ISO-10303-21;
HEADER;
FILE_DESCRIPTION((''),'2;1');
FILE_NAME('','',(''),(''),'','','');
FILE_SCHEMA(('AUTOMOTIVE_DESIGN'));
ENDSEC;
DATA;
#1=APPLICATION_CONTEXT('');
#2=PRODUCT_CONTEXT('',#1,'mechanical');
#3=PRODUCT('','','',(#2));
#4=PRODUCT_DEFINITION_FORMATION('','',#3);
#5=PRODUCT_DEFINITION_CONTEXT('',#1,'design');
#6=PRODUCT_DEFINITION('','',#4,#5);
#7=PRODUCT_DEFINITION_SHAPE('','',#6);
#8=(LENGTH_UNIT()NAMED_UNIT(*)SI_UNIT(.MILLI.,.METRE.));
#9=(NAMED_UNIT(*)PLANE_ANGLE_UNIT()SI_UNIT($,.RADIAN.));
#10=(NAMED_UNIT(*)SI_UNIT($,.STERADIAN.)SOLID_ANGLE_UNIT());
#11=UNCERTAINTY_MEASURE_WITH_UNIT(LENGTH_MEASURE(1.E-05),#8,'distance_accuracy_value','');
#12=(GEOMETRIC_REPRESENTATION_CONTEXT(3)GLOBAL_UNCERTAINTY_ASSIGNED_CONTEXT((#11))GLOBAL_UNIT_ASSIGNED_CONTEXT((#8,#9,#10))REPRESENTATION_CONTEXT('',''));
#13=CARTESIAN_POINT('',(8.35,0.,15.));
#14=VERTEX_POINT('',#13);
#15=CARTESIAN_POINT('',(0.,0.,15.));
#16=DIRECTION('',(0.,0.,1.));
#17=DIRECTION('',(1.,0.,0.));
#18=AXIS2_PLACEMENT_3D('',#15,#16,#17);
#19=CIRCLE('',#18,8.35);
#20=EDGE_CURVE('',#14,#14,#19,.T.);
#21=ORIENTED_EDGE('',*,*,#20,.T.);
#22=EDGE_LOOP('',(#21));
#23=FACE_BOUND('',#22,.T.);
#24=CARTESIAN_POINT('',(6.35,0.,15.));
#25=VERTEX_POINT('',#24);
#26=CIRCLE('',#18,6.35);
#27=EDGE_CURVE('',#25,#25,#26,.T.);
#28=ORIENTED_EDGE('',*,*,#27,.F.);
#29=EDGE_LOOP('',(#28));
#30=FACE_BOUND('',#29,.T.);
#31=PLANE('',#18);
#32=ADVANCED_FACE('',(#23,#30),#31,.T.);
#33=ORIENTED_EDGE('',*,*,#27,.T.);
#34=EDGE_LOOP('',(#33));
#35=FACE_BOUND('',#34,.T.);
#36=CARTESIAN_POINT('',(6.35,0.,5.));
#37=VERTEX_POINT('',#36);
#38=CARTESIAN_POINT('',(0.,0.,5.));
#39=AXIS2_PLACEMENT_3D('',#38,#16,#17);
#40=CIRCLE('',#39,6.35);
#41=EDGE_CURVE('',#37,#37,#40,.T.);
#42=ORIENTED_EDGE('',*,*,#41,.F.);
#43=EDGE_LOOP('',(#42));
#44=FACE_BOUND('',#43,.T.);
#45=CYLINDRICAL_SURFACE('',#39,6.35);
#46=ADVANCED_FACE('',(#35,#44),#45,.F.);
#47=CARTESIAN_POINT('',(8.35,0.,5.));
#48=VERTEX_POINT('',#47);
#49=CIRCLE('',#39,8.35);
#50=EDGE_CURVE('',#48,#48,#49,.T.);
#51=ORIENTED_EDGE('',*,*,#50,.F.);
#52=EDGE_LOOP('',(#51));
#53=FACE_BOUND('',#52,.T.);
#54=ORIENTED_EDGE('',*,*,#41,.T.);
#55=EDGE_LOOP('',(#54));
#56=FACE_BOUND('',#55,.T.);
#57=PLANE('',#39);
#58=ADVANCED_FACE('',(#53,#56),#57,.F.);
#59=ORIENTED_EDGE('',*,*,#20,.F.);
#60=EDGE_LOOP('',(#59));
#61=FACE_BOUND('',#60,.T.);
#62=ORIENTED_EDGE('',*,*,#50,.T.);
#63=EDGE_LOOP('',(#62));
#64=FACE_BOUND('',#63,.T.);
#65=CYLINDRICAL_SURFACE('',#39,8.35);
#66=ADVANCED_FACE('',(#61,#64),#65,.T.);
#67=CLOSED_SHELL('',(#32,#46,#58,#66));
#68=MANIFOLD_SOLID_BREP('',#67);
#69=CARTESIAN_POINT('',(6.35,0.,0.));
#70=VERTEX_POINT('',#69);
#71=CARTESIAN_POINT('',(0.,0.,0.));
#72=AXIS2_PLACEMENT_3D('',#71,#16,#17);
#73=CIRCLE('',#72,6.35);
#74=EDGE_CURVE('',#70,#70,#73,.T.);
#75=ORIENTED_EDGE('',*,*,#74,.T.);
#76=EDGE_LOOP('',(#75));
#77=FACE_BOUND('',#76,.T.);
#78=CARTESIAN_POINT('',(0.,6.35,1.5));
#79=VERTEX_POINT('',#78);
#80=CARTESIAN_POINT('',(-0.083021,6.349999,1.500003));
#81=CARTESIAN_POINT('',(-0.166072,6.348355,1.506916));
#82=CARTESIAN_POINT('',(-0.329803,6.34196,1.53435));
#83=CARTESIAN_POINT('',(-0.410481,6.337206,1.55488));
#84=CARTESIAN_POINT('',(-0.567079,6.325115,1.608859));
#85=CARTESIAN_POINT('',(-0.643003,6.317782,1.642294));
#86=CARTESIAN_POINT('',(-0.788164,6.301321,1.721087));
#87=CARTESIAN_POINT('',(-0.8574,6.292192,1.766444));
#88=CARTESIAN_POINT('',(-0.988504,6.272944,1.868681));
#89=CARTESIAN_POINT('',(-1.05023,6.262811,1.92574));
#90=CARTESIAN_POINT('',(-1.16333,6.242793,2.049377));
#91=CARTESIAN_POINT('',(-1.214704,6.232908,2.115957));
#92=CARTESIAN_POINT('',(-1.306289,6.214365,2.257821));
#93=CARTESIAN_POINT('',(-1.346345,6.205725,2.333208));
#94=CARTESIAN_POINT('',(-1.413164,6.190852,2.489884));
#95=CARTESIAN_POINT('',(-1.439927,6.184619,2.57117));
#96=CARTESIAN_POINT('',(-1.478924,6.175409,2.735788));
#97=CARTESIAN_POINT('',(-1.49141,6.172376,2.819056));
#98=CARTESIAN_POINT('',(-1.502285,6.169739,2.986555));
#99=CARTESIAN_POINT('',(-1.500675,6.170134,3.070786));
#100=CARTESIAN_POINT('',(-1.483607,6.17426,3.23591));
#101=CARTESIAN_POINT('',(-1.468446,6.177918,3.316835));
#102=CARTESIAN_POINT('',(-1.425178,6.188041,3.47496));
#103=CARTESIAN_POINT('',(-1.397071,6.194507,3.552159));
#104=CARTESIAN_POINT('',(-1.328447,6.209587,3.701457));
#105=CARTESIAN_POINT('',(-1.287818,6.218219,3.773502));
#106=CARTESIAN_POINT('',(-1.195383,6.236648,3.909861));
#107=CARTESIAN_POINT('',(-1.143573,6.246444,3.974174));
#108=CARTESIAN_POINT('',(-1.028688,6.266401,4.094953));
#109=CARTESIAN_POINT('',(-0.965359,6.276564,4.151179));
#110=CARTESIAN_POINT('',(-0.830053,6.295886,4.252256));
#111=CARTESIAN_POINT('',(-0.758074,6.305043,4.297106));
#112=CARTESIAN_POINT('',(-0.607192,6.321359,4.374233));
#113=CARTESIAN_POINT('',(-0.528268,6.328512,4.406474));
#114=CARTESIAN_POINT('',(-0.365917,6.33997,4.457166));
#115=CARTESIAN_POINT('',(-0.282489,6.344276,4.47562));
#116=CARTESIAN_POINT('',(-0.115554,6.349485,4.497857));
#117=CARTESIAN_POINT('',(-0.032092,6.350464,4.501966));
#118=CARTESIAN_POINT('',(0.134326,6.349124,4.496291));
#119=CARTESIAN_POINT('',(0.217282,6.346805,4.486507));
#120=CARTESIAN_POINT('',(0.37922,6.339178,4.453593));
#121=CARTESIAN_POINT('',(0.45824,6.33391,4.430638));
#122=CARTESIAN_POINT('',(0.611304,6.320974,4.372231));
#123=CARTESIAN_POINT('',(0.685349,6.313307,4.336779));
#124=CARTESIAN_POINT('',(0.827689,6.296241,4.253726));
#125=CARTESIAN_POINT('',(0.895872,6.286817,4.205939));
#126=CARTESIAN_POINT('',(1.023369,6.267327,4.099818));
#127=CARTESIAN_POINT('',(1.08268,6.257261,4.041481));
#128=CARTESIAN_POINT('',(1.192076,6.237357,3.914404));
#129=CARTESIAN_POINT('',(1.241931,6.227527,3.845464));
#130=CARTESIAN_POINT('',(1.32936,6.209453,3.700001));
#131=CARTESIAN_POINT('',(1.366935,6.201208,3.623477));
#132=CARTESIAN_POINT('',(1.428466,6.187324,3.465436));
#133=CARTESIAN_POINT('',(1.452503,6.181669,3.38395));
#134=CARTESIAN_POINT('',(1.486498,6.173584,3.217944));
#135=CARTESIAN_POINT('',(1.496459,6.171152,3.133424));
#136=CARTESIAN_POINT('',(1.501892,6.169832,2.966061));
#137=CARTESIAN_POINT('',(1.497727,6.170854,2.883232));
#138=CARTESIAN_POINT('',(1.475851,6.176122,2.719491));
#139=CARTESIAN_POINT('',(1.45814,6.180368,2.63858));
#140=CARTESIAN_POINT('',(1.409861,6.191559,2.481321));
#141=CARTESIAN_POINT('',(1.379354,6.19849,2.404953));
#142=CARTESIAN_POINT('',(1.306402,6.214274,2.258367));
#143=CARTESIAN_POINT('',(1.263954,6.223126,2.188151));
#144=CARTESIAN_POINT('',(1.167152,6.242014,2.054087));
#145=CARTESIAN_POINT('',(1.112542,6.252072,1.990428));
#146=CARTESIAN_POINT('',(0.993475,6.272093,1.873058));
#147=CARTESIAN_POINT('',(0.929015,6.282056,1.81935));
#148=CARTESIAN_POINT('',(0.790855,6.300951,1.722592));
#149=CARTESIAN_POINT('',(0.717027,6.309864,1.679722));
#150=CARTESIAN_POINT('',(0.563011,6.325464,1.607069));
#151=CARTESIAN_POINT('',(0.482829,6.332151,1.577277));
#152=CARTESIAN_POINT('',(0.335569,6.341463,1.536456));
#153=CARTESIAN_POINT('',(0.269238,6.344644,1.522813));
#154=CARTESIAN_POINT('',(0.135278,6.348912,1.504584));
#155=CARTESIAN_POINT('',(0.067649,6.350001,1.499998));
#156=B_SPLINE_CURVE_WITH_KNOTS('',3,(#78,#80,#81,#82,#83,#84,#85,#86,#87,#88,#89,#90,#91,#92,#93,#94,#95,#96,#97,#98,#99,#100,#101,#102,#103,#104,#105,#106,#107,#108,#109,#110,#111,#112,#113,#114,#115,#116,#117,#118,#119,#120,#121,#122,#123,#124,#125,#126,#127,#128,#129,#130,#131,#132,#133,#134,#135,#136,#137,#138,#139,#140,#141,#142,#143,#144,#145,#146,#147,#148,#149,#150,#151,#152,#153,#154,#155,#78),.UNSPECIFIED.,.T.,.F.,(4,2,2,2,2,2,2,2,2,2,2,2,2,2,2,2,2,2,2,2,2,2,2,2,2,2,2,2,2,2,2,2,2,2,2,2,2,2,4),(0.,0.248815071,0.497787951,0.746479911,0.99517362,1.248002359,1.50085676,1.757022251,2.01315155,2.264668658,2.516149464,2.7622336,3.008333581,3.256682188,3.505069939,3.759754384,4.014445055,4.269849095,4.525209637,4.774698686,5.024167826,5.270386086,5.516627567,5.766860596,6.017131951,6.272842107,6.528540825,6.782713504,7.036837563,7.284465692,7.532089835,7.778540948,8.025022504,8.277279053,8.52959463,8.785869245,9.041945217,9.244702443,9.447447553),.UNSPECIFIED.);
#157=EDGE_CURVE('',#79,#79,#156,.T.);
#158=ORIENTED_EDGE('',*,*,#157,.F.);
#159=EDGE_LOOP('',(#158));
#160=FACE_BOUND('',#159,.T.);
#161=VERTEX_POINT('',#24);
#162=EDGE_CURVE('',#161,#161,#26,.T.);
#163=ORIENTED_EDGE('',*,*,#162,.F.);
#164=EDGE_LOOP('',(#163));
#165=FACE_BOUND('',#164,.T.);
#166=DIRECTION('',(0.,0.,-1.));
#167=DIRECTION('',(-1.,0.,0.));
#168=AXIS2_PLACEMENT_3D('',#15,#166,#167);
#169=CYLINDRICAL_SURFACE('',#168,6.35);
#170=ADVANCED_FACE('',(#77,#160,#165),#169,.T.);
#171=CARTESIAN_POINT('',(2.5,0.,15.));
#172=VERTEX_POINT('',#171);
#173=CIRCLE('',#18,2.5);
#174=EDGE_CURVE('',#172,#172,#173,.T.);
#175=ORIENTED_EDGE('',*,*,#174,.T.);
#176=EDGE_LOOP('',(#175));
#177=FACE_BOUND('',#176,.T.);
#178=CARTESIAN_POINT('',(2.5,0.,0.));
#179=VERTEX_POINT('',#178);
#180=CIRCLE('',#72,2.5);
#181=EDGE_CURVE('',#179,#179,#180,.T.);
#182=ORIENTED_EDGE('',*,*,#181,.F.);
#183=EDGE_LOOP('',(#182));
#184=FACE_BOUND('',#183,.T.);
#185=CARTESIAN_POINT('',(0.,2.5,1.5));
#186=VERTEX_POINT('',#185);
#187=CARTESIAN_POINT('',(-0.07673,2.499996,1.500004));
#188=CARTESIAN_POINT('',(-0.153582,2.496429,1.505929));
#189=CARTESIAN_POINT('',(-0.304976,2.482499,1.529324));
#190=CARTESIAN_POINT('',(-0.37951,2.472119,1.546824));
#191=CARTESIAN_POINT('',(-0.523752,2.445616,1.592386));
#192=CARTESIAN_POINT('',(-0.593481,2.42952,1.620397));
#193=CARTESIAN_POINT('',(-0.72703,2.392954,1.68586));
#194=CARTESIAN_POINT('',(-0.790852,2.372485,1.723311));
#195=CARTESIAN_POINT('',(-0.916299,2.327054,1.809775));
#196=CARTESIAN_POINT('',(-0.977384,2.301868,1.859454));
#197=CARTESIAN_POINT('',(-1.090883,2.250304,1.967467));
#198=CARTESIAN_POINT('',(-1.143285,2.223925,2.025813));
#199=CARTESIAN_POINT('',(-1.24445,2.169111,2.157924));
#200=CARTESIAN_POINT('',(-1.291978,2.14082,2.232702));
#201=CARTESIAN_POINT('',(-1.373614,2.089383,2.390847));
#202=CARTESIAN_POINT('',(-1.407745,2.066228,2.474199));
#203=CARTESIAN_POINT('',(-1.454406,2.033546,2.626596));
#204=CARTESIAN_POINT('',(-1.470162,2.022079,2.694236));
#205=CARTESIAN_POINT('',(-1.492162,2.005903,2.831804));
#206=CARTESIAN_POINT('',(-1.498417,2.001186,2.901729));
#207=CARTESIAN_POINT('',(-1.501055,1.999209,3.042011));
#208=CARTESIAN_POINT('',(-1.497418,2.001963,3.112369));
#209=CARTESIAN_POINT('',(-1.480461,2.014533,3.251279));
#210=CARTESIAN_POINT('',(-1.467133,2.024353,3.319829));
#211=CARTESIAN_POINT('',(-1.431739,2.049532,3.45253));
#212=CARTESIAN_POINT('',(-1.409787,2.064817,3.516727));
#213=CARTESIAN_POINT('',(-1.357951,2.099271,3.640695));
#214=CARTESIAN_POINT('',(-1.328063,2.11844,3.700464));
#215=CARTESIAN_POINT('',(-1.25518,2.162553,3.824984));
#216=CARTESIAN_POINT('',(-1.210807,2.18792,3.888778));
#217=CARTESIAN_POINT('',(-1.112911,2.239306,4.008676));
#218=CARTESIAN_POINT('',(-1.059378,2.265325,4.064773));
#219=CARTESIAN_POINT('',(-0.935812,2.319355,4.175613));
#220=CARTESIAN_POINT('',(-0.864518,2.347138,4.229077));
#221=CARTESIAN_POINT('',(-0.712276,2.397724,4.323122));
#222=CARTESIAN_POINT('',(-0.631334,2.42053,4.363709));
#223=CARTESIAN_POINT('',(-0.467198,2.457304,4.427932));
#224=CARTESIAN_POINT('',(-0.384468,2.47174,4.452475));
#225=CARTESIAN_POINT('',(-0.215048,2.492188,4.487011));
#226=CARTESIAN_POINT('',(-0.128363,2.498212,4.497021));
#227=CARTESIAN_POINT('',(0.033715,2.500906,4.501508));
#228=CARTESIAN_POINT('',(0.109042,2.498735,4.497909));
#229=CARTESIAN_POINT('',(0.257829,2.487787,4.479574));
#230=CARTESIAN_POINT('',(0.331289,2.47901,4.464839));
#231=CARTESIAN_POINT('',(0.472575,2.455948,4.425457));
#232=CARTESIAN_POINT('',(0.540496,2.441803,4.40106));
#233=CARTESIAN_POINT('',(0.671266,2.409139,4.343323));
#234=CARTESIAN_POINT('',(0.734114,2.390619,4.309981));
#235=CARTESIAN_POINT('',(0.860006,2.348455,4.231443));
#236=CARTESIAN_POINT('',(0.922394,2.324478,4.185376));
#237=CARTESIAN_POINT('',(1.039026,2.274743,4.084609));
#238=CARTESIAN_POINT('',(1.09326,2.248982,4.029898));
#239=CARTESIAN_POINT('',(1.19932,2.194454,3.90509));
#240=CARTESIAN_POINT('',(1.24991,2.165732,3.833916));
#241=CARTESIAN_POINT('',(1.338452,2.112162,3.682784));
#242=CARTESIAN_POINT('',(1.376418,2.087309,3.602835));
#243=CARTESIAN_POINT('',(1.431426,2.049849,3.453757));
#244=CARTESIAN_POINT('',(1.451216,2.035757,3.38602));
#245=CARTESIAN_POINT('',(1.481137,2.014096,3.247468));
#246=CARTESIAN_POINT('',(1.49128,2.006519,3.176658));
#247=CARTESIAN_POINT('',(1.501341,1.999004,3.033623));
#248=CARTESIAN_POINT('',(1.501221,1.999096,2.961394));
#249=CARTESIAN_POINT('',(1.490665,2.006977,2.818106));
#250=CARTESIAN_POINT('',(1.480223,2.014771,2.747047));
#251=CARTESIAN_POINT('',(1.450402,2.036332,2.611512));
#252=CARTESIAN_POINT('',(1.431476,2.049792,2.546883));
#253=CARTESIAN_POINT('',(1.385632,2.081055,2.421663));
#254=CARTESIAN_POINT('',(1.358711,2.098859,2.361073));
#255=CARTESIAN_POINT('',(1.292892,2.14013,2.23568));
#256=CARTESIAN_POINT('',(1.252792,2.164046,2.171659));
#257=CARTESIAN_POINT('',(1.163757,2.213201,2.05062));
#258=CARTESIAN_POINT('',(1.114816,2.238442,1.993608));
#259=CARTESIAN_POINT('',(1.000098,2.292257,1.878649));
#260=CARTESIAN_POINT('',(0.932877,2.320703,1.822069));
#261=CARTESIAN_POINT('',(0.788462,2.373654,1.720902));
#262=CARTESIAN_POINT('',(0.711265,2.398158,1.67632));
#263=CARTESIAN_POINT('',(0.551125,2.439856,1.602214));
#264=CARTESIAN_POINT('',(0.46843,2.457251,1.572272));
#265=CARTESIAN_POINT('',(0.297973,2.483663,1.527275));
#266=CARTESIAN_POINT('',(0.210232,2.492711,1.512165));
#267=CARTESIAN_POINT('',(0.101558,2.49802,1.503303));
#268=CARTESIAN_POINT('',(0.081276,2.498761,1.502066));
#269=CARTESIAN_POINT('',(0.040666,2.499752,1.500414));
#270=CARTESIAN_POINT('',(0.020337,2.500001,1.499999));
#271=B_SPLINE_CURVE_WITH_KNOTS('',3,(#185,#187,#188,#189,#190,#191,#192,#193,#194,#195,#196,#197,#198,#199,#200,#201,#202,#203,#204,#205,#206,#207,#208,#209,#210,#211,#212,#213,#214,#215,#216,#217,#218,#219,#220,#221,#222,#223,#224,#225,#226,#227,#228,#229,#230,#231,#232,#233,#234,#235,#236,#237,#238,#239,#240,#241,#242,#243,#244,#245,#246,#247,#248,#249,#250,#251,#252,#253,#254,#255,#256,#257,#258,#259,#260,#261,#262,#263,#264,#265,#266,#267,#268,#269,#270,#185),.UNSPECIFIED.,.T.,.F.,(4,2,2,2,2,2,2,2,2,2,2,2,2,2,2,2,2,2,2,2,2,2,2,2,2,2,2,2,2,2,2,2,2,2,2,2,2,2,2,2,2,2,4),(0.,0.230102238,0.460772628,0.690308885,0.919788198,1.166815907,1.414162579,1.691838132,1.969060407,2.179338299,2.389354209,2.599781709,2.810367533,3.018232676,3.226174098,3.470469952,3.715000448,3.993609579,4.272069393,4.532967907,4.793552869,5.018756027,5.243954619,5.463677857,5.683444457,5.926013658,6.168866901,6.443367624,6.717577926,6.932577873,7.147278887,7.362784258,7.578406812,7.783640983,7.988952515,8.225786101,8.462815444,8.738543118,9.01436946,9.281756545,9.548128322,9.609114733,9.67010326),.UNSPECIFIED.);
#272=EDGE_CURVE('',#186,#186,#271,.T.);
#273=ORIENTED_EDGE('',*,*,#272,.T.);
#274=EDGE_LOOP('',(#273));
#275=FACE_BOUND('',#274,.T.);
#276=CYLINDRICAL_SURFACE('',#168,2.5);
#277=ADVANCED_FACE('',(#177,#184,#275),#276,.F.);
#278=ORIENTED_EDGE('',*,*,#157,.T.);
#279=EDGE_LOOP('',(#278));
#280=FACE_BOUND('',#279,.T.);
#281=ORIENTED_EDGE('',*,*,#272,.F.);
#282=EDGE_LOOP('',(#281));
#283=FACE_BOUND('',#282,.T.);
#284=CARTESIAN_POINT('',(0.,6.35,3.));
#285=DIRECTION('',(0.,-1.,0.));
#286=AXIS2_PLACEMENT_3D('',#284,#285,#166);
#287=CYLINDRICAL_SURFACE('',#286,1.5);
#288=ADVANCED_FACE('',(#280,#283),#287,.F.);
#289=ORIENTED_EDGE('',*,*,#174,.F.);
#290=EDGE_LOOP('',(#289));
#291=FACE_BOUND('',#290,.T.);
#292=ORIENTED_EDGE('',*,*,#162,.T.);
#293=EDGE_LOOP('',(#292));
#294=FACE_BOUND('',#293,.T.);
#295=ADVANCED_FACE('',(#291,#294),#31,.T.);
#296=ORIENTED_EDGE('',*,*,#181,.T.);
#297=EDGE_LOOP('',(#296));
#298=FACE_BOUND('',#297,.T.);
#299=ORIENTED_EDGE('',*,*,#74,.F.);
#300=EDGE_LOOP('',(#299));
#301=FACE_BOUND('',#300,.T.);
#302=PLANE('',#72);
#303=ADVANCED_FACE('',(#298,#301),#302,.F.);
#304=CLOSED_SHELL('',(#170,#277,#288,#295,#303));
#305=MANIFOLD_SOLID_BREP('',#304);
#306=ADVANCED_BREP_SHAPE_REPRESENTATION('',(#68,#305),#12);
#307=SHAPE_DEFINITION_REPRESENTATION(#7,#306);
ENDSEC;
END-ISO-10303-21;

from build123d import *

# Parameters (mm, degrees)
SKETCH1_R           = 6.35
SKETCH1_R_2         = 2.5
BOSS_EXTRUDE1_DEPTH = 15
SKETCH2_R           = 1.5
CUT_EXTRUDE1_DEPTH  = 18.48270574
SKETCH3_R           = 8.35
SKETCH3_R_2         = 6.35
BOSS_EXTRUDE2_DEPTH = 10


with BuildPart() as part:
    # Sketch1 → Boss-Extrude1 (new body)
    with BuildSketch(Plane.XY):
        Circle(SKETCH1_R)
        Circle(SKETCH1_R_2, mode=Mode.SUBTRACT)
    extrude(amount=BOSS_EXTRUDE1_DEPTH)

    # Sketch2 → Cut-Extrude1 (cut, through all)
    with BuildSketch(Plane(origin=(0, 0, 0), x_dir=(1, 0, 0), z_dir=(0, 1, 0))):
        with Locations(Location((0, -3, 0), (0, 0, 90))):
            Circle(SKETCH2_R)
    extrude(amount=CUT_EXTRUDE1_DEPTH, mode=Mode.SUBTRACT)


with BuildPart() as body_2:
    # Sketch3 → Boss-Extrude2 (new body)
    with BuildSketch(Plane.XY.offset(15)):
        Circle(SKETCH3_R)
        Circle(SKETCH3_R_2, mode=Mode.SUBTRACT)
    extrude(amount=-BOSS_EXTRUDE2_DEPTH)


solid = Compound([part.part, body_2.part])
